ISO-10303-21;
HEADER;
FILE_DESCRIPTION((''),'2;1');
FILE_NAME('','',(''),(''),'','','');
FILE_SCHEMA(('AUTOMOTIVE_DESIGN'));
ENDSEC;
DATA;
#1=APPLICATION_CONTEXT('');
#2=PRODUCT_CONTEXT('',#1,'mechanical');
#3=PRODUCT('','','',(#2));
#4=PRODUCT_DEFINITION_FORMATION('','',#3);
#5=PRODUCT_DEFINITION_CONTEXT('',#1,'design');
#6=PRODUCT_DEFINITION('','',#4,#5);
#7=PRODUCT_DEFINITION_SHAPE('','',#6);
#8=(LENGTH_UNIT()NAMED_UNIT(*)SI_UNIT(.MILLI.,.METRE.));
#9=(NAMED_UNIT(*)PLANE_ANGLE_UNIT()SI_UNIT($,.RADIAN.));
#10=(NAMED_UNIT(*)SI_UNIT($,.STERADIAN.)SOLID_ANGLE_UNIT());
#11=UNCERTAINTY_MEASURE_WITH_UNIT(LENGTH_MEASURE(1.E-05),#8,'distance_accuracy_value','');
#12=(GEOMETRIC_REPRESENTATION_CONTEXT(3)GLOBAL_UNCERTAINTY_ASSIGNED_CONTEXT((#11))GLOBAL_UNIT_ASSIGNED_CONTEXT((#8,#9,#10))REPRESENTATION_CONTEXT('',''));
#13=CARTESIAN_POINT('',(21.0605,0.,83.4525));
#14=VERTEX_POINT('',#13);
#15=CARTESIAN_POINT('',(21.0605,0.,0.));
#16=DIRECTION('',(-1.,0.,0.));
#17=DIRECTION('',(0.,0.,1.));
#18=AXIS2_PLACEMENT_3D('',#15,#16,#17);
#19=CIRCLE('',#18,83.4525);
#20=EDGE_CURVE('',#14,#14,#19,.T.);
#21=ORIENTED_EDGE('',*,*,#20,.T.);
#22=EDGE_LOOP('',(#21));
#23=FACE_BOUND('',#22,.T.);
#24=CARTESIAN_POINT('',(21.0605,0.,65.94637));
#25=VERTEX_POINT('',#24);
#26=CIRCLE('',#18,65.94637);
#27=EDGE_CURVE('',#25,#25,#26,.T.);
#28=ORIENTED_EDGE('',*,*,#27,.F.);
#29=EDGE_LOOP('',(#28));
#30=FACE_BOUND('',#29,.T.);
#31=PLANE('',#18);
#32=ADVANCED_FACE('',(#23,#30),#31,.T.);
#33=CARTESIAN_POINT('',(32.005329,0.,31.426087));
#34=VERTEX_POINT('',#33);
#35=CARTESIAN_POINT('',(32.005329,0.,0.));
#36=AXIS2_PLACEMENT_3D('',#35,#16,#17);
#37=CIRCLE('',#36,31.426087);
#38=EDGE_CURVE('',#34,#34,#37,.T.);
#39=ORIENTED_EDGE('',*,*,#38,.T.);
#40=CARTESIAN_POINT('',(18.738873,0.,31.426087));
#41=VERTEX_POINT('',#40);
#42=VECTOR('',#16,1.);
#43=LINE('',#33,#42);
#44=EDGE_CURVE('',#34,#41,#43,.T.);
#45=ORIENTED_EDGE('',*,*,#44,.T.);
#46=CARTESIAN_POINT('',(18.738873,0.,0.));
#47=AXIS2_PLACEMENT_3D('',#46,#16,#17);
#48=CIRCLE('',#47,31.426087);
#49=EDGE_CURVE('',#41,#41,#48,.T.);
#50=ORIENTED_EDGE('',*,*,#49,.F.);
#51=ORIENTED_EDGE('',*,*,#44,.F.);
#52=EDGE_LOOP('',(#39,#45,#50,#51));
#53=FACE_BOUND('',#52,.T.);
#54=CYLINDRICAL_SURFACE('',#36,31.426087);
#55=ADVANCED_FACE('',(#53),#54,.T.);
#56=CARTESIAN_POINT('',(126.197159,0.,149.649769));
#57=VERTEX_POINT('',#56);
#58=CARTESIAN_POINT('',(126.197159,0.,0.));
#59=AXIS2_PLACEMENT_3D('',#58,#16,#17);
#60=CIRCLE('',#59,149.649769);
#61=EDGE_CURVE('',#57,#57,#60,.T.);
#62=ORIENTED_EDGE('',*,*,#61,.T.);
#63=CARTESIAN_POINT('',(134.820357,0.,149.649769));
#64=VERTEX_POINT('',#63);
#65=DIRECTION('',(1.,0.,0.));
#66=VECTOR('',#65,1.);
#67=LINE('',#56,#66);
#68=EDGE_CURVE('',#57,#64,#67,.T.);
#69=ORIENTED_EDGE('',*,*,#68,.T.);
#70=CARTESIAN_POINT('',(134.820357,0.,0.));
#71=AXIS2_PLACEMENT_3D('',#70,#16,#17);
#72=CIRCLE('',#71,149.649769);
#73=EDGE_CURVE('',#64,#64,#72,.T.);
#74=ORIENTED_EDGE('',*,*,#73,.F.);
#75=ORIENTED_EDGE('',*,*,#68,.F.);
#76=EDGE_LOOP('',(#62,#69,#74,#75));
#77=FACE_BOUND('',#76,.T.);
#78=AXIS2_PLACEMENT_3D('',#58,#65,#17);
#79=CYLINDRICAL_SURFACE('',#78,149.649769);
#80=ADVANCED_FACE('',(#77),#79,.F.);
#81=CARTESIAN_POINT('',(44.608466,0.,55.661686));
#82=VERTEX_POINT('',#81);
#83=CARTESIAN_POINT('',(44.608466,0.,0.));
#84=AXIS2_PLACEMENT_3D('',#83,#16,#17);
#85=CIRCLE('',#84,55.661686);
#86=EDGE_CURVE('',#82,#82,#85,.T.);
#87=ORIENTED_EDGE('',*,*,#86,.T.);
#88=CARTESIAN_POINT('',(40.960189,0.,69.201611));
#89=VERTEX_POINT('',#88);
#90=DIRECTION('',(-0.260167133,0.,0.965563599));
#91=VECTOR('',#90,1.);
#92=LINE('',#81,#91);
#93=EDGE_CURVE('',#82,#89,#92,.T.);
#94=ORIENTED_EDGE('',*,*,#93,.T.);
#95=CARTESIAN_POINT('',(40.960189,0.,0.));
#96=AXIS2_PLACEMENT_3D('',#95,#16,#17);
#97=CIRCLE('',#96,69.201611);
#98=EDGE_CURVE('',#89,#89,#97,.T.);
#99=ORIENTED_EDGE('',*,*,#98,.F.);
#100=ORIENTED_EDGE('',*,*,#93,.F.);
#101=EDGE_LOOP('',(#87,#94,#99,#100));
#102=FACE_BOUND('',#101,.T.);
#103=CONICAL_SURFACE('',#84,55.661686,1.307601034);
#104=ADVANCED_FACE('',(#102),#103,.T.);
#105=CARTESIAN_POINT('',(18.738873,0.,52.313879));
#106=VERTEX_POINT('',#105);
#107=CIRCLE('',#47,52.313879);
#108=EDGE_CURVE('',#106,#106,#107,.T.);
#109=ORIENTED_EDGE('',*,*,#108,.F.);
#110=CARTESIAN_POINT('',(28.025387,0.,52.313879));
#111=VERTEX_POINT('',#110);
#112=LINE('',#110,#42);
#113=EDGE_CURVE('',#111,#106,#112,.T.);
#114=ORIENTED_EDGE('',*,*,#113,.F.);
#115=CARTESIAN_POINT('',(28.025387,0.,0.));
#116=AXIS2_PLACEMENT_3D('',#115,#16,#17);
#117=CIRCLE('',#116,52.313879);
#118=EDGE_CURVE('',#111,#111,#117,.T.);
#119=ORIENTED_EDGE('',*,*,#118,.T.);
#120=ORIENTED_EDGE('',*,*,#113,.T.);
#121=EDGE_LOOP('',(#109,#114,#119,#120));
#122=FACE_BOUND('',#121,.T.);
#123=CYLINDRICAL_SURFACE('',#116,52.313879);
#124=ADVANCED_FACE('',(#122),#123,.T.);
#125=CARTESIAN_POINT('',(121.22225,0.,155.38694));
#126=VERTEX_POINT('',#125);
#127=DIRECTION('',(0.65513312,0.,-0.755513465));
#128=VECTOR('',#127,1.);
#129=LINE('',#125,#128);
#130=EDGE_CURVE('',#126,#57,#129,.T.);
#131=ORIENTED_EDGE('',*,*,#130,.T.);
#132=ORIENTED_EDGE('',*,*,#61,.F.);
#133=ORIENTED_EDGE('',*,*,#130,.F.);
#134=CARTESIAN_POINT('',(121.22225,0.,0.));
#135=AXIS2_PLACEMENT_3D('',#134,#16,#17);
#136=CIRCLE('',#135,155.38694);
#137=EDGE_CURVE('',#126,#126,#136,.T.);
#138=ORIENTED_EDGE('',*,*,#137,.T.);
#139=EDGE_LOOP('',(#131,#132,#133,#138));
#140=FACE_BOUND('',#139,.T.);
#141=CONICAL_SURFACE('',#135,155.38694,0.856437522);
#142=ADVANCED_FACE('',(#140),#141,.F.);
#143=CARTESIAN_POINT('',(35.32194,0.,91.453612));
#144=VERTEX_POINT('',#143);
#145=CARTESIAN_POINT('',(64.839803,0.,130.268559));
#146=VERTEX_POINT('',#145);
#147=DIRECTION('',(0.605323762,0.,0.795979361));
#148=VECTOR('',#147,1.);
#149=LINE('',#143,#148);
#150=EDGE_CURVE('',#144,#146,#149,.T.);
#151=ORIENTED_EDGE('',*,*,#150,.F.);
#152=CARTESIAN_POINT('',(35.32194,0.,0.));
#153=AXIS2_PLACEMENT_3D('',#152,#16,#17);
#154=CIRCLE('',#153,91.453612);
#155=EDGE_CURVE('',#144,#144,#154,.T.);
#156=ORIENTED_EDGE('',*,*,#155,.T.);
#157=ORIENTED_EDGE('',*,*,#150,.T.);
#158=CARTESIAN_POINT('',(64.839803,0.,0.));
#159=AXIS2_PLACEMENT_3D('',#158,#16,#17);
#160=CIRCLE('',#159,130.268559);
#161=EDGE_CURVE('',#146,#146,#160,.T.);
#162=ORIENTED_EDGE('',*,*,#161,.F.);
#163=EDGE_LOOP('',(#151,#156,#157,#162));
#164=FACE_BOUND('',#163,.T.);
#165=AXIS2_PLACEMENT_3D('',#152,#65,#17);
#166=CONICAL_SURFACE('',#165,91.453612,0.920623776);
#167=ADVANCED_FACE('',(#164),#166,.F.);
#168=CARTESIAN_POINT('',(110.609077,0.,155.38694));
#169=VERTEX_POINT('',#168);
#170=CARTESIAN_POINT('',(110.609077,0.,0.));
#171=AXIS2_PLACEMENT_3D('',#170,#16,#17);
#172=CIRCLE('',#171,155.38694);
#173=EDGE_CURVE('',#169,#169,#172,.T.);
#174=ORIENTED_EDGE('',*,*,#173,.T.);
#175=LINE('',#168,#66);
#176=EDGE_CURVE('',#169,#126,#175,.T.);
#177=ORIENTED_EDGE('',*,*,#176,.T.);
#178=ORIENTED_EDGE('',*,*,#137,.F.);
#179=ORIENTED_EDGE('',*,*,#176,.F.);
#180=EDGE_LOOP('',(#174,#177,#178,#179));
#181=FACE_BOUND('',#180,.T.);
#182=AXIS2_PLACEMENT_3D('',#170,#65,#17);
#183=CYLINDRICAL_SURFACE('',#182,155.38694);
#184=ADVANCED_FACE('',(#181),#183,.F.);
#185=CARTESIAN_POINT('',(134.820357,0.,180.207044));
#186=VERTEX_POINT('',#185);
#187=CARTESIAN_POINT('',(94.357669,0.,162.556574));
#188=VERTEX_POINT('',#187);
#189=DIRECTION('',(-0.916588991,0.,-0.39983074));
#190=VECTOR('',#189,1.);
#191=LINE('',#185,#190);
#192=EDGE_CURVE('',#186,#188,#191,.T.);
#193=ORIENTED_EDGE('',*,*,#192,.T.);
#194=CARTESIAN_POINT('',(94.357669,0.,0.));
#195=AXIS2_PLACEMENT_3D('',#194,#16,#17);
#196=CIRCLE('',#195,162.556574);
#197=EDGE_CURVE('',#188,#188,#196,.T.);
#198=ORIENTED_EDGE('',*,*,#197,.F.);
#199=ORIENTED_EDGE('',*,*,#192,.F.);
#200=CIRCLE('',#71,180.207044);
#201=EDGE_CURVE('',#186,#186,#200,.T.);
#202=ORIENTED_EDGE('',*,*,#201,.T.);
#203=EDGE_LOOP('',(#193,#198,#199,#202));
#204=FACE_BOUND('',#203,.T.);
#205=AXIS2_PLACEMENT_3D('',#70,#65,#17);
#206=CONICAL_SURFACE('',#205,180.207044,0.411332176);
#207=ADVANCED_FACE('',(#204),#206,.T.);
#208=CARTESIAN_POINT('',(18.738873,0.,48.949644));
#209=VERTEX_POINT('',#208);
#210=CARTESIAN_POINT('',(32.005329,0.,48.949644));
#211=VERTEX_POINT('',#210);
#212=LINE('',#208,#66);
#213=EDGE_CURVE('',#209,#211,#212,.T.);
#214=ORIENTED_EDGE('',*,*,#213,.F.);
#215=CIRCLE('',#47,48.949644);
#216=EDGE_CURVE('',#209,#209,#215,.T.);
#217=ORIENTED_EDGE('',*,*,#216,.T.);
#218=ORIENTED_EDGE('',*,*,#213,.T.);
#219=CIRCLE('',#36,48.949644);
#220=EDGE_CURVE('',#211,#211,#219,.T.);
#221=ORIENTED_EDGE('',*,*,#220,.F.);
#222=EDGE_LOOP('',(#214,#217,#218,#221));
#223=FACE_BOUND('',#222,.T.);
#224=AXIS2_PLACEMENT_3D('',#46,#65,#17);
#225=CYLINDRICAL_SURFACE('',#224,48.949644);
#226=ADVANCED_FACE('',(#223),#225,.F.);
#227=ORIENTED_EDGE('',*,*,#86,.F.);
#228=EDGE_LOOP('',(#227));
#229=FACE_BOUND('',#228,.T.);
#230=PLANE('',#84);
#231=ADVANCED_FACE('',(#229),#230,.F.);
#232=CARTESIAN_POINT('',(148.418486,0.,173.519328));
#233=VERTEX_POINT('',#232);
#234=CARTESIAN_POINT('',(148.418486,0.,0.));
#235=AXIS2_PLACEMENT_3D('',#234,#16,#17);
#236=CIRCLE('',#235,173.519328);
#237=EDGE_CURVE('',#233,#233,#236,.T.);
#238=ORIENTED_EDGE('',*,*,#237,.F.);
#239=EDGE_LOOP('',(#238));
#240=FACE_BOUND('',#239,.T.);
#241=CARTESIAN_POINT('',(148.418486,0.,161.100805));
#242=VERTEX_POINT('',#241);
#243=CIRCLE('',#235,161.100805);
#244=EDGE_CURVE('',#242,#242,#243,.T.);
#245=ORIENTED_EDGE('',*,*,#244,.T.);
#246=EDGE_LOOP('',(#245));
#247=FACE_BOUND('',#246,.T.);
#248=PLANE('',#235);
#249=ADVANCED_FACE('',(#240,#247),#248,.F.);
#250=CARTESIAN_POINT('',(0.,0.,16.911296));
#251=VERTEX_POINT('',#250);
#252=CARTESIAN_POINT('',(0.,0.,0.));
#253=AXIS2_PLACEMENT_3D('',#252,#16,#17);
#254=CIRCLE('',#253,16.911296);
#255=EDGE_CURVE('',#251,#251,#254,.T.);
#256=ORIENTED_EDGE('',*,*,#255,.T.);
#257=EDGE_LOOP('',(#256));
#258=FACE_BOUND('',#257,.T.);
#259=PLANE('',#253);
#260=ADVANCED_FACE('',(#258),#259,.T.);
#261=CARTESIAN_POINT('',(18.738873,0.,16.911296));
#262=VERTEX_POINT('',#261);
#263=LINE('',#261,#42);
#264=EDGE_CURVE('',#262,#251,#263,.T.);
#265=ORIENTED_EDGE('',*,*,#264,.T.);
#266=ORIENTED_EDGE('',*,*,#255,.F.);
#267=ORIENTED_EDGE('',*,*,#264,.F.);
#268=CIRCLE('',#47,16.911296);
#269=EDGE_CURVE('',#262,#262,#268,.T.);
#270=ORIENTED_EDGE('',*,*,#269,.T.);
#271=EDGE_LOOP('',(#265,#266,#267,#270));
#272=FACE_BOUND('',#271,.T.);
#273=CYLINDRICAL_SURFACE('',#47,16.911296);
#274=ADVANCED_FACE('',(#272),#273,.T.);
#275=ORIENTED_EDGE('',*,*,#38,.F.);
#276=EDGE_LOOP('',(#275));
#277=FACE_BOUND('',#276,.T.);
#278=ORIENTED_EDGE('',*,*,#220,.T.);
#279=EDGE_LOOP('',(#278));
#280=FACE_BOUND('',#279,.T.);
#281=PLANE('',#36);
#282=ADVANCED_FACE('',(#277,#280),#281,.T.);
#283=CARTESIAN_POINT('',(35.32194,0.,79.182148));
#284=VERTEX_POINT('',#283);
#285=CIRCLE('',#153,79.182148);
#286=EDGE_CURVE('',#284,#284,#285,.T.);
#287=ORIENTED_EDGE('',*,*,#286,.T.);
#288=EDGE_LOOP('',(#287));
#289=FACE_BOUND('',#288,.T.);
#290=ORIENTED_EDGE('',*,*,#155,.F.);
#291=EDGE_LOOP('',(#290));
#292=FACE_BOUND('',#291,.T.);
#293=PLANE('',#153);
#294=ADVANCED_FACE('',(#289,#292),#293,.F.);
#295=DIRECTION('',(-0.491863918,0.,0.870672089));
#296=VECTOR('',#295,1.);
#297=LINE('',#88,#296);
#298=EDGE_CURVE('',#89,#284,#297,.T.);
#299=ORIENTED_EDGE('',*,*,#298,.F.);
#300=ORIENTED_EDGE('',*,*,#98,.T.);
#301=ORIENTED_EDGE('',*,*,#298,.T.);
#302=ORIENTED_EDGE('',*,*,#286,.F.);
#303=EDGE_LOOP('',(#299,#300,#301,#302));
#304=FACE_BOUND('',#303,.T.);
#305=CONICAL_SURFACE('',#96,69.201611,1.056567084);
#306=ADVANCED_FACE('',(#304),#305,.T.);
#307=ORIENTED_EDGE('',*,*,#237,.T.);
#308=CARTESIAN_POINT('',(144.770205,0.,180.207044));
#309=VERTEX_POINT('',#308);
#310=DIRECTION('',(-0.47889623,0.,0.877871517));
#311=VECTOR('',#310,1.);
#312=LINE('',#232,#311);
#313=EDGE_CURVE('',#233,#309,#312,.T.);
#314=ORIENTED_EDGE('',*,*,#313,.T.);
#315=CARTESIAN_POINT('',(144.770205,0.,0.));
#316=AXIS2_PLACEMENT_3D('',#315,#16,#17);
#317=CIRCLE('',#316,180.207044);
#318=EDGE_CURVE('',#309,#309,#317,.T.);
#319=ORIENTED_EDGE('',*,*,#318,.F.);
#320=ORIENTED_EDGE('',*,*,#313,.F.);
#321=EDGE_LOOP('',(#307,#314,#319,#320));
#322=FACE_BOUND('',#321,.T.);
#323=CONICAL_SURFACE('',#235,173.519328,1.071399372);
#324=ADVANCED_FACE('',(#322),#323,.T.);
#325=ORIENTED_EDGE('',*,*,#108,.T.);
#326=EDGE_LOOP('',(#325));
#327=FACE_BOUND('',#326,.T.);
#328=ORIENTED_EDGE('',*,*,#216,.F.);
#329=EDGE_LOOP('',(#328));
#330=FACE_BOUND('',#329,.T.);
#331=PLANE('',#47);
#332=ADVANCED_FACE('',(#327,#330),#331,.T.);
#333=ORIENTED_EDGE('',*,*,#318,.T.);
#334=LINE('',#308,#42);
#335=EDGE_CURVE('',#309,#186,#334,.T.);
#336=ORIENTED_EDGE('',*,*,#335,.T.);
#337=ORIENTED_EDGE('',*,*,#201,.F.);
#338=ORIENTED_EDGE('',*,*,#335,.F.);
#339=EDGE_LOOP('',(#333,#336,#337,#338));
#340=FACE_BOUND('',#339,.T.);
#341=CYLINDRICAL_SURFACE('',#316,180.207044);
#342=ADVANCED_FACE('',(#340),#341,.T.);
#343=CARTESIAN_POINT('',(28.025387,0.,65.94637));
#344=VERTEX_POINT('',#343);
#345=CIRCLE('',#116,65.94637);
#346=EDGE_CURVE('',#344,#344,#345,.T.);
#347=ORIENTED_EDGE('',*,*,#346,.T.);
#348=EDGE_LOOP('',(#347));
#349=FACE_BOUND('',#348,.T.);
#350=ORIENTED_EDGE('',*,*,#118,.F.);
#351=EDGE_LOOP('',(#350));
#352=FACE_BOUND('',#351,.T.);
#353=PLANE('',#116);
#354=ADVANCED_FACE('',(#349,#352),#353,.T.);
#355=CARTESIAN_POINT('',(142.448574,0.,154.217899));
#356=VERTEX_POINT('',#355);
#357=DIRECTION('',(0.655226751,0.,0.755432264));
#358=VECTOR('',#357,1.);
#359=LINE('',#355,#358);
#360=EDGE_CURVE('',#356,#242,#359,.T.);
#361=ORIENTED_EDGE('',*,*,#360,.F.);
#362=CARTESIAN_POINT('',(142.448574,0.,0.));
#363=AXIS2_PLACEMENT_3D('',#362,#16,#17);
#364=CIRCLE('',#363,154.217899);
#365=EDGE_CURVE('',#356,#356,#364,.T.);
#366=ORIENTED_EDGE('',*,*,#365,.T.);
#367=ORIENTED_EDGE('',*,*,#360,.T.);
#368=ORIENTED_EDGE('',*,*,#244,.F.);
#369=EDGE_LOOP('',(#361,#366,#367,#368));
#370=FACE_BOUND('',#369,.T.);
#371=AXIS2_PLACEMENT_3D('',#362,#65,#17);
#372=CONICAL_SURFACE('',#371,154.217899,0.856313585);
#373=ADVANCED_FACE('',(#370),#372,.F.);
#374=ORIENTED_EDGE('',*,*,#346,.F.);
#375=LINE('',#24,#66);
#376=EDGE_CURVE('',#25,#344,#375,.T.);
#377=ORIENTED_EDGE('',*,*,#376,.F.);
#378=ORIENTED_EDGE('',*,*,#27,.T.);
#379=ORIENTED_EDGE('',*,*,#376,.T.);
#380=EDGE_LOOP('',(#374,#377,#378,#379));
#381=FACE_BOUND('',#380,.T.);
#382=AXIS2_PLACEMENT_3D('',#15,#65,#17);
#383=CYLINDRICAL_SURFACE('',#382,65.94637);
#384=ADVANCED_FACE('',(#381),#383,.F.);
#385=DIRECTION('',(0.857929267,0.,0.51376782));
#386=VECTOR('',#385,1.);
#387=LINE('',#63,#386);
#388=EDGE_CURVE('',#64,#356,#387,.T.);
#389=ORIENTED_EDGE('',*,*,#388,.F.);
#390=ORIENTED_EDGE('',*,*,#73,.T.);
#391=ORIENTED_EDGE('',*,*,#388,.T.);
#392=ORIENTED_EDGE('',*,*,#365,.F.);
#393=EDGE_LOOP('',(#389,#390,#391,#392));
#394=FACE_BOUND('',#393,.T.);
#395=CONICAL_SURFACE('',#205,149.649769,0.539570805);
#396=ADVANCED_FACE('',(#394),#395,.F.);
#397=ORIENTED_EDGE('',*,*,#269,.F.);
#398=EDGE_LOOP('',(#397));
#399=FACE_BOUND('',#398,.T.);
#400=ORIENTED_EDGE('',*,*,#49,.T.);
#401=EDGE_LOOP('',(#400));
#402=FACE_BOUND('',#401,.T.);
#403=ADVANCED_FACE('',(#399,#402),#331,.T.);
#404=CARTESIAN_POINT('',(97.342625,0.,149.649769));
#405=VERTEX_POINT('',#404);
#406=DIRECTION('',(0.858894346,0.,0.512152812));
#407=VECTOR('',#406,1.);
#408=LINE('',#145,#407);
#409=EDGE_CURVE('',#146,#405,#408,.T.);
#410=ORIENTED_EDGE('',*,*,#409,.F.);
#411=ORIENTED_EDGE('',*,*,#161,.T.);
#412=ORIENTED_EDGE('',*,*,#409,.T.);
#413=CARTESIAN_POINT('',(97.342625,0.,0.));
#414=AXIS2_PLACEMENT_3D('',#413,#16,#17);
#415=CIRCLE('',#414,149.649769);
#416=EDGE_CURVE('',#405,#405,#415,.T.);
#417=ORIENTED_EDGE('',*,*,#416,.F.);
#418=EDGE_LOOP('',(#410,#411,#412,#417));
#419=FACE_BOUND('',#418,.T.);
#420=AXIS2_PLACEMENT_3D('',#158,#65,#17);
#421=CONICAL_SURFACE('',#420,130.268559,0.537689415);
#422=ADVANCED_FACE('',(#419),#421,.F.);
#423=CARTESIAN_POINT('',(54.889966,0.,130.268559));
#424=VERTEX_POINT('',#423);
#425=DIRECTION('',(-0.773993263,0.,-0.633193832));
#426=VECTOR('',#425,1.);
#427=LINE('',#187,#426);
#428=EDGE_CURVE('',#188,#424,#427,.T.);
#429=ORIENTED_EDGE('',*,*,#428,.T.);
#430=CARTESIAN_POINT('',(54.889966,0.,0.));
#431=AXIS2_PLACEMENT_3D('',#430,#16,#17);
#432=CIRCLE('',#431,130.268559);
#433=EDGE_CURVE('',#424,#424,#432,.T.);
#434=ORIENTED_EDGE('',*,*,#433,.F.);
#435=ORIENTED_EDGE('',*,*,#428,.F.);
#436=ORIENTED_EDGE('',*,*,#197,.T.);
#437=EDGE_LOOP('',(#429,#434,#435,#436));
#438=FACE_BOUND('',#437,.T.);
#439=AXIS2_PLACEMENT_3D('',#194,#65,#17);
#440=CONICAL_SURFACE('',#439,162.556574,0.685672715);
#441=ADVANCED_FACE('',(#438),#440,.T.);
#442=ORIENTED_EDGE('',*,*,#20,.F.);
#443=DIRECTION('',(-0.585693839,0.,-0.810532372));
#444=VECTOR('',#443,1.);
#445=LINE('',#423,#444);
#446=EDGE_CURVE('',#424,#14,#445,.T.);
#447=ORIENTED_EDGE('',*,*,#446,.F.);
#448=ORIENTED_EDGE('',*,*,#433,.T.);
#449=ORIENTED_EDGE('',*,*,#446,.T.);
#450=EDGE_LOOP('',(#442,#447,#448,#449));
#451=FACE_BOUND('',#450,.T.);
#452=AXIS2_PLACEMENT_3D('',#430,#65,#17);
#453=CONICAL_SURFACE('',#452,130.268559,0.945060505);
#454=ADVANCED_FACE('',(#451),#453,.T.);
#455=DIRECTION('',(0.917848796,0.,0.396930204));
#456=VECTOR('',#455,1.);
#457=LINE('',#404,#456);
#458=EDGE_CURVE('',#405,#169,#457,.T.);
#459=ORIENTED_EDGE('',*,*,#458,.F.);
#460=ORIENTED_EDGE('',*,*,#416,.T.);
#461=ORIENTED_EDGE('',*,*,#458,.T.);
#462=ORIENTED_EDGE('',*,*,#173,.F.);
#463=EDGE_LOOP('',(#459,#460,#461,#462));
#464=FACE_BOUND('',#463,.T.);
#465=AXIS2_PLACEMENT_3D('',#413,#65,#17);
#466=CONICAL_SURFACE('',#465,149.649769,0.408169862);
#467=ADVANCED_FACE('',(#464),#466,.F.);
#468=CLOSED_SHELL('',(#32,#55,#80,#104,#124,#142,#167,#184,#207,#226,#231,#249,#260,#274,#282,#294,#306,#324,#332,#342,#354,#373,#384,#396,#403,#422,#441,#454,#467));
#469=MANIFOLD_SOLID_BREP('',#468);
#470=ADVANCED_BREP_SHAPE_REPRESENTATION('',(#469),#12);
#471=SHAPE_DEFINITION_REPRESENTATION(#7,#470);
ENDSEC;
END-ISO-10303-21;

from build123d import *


with BuildPart() as f1:
    # F0 (on Front) → F1 (revolve)
    with BuildSketch(Plane.XZ):
        Polygon((0, 16.911296), (0, 0), (44.608466, 0), (44.608466, 21.264633), (44.608466, 38.319539), (44.608466, 55.661686), (40.960189, 69.201611), (35.32194, 79.182148), (35.32194, 91.453612), (64.839803, 130.268559), (97.342625, 149.649769), (110.609077, 155.38694), (121.22225, 155.38694), (126.197159, 149.649769), (134.820357, 149.649769), (142.448574, 154.217899), (148.418486, 161.100805), (148.418486, 173.519328), (144.770205, 180.207044), (134.820357, 180.207044), (94.357669, 162.556574), (54.889966, 130.268559), (21.0605, 83.4525), (21.0605, 65.94637), (28.025387, 65.94637), (28.025387, 52.313879), (18.738873, 52.313879), (18.738873, 48.949644), (32.005329, 48.949644), (32.005329, 31.426087), (18.738873, 31.426087), (18.738873, 16.911296), align=None)
    revolve(axis=Axis((22.304233, 0, 0), (-1, 0, 0)))


solid = f1.part
